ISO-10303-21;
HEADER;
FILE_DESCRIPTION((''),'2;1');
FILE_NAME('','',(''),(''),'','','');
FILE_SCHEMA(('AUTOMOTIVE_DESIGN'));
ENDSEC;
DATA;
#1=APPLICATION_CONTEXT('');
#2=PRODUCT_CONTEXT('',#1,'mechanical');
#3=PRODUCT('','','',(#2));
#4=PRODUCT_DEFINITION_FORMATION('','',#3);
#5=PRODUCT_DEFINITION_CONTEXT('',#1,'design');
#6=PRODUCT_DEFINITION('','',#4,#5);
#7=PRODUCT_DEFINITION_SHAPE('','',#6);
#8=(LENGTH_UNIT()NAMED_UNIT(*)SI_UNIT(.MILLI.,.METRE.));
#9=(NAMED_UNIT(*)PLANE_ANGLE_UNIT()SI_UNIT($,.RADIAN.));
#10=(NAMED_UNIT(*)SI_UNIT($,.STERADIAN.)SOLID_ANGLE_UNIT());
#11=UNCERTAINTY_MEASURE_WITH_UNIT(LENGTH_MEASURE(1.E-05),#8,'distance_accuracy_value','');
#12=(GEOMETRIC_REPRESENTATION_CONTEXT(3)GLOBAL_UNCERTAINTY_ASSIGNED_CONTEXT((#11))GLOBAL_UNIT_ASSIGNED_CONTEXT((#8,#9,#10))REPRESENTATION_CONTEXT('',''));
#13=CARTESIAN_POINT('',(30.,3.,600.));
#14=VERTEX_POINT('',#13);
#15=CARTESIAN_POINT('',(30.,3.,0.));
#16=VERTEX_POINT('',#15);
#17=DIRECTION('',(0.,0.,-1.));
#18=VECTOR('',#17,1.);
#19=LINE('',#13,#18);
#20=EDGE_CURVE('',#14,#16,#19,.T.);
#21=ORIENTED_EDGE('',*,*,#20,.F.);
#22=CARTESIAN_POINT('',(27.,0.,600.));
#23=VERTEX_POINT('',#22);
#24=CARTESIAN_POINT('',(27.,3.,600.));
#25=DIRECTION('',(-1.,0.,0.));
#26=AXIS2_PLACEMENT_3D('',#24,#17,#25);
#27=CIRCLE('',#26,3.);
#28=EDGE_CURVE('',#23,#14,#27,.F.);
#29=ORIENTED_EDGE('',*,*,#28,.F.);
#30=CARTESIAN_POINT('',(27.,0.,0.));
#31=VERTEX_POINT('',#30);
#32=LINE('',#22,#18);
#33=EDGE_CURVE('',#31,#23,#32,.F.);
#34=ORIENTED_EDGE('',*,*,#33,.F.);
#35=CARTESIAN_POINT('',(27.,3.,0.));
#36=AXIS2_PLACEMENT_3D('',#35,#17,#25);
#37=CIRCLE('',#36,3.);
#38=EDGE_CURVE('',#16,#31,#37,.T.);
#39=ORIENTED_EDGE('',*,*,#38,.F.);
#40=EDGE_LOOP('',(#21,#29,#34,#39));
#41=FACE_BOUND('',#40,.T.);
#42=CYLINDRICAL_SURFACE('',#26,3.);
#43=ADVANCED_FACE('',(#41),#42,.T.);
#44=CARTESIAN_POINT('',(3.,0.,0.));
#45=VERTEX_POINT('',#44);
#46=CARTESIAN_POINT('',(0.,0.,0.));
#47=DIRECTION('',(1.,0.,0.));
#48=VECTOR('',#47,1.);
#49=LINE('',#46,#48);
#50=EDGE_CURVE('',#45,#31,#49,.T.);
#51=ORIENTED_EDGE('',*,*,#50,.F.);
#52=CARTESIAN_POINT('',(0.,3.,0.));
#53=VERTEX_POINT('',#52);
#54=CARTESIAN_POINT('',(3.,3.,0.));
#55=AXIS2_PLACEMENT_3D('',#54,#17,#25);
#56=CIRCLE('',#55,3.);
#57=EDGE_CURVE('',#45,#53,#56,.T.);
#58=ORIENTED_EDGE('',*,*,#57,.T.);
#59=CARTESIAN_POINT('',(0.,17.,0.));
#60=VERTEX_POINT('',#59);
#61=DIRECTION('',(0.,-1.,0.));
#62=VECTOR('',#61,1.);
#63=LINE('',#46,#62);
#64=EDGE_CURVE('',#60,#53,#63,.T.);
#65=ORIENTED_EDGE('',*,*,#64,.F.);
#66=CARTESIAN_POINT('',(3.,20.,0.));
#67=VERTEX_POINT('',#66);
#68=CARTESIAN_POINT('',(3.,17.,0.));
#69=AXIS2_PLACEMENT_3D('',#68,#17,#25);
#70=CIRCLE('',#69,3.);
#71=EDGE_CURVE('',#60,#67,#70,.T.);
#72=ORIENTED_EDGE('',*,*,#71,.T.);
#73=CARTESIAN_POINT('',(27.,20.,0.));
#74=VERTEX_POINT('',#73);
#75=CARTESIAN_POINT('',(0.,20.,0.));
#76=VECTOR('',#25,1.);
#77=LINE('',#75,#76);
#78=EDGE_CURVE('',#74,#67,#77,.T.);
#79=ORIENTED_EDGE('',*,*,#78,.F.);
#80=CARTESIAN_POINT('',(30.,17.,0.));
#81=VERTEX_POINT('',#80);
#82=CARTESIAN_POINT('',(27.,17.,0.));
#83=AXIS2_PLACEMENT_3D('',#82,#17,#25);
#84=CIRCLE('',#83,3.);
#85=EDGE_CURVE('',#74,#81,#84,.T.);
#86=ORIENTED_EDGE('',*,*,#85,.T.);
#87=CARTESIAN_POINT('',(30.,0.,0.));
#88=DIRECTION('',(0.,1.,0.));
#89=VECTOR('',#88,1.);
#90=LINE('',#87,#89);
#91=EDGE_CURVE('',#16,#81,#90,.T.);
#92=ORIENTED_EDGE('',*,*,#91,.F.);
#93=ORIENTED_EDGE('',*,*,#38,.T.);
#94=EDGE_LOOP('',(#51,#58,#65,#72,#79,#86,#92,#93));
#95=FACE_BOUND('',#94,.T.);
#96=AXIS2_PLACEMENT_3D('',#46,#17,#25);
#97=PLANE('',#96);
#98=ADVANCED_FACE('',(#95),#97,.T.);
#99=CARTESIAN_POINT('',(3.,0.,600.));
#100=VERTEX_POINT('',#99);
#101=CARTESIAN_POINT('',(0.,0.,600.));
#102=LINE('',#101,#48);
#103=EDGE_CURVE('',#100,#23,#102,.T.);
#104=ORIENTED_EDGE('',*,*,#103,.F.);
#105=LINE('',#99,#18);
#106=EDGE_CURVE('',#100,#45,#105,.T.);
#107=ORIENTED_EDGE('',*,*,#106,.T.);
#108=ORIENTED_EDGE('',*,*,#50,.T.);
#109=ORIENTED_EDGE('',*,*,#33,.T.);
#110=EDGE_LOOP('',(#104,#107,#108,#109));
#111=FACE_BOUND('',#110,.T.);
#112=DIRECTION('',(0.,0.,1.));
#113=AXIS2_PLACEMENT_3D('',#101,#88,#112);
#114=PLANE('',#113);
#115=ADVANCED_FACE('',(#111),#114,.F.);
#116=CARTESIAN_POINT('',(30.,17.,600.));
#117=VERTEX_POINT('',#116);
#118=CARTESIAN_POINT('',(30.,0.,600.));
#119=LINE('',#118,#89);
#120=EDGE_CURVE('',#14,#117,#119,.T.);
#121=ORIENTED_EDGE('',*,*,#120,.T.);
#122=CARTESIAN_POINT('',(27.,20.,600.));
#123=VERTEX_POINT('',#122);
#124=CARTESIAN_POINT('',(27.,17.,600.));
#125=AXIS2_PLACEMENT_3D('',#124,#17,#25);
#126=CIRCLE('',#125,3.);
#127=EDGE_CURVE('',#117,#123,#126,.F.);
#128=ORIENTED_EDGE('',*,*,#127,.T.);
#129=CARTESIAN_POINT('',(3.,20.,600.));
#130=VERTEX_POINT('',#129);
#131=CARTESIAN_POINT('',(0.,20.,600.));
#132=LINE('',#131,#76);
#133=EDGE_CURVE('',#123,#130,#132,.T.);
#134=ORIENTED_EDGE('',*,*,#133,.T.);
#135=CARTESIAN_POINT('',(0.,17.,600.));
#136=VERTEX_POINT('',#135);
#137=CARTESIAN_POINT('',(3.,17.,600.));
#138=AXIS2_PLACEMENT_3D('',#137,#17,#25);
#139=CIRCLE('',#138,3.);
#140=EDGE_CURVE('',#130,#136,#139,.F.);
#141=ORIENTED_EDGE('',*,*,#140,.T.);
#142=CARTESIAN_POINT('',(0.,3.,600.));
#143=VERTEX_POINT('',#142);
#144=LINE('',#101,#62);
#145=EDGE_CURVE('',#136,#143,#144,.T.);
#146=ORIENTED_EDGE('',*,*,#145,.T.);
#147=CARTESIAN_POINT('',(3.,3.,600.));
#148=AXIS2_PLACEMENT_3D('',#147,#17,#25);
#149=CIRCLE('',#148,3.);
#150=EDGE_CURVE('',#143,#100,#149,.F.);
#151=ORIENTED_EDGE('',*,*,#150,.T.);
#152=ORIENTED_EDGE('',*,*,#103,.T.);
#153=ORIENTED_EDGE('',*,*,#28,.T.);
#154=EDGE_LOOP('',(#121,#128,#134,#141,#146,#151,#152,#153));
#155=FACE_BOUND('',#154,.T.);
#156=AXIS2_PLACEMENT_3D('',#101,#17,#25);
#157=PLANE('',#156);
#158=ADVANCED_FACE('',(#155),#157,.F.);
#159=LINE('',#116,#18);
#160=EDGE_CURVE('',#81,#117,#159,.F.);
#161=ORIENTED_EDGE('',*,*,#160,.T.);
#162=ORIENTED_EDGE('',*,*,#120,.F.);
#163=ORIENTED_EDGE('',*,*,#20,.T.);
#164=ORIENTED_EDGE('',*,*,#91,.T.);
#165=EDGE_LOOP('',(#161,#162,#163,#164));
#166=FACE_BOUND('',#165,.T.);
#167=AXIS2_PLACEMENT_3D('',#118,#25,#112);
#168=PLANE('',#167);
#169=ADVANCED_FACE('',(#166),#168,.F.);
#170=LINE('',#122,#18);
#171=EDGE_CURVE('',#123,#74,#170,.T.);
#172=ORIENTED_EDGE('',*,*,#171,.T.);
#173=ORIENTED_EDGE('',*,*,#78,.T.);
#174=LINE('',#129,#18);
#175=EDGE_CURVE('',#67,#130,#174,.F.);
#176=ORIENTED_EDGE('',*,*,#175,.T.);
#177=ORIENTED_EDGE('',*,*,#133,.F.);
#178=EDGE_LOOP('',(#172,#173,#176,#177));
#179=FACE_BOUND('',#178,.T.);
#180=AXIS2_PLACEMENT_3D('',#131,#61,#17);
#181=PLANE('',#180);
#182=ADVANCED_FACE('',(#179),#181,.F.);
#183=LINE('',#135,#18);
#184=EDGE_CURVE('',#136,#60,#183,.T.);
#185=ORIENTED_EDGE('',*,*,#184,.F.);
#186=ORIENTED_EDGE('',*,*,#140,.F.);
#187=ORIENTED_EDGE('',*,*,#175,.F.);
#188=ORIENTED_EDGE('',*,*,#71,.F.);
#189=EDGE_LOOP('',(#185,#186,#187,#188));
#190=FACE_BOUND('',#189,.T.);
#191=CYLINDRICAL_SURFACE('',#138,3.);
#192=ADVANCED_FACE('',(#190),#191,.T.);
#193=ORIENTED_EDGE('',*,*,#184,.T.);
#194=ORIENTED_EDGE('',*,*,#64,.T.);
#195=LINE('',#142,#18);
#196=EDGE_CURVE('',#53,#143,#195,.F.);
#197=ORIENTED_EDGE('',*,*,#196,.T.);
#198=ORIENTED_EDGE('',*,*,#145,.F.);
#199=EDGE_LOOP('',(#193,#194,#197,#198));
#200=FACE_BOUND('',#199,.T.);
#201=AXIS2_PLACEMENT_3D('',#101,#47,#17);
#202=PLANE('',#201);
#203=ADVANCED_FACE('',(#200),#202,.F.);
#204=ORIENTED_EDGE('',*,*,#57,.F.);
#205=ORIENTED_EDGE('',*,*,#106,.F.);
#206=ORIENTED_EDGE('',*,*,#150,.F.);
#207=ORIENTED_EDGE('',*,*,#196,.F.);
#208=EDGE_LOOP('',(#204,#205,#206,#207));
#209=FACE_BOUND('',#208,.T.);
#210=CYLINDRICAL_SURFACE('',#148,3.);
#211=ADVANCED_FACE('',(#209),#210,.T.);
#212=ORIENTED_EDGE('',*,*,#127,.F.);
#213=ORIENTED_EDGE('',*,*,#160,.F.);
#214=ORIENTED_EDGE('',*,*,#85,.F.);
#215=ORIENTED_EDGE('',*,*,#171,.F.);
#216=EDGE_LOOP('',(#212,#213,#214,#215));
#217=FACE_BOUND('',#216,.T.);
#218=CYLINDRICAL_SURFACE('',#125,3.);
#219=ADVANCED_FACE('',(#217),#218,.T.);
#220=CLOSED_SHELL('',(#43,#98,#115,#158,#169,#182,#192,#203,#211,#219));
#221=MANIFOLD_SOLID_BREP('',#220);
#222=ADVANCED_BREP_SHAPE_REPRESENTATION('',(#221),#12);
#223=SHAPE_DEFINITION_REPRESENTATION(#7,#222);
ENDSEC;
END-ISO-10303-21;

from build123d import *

# Parameters (mm, degrees)
ESQUISSE1_W        = 30
ESQUISSE1_H        = 20
BOSS_EXTRU_1_DEPTH = 600
CONG_1_R           = 3


with BuildPart() as part:
    # Esquisse1 → Boss.-Extru.1 (new body)
    with BuildSketch(Plane.XY):
        with Locations((15, 10)):
            Rectangle(ESQUISSE1_W, ESQUISSE1_H)
    extrude(amount=BOSS_EXTRU_1_DEPTH)

    # Congé1
    cong_1_edges = [part.edges().sort_by_distance(p)[0] for p in [
        (0, 20, 300),
        (30, 20, 300),
        (30, 0, 300),
        (0, 0, 300),
    ]]
    fillet(cong_1_edges, radius=CONG_1_R)


solid = part.part
